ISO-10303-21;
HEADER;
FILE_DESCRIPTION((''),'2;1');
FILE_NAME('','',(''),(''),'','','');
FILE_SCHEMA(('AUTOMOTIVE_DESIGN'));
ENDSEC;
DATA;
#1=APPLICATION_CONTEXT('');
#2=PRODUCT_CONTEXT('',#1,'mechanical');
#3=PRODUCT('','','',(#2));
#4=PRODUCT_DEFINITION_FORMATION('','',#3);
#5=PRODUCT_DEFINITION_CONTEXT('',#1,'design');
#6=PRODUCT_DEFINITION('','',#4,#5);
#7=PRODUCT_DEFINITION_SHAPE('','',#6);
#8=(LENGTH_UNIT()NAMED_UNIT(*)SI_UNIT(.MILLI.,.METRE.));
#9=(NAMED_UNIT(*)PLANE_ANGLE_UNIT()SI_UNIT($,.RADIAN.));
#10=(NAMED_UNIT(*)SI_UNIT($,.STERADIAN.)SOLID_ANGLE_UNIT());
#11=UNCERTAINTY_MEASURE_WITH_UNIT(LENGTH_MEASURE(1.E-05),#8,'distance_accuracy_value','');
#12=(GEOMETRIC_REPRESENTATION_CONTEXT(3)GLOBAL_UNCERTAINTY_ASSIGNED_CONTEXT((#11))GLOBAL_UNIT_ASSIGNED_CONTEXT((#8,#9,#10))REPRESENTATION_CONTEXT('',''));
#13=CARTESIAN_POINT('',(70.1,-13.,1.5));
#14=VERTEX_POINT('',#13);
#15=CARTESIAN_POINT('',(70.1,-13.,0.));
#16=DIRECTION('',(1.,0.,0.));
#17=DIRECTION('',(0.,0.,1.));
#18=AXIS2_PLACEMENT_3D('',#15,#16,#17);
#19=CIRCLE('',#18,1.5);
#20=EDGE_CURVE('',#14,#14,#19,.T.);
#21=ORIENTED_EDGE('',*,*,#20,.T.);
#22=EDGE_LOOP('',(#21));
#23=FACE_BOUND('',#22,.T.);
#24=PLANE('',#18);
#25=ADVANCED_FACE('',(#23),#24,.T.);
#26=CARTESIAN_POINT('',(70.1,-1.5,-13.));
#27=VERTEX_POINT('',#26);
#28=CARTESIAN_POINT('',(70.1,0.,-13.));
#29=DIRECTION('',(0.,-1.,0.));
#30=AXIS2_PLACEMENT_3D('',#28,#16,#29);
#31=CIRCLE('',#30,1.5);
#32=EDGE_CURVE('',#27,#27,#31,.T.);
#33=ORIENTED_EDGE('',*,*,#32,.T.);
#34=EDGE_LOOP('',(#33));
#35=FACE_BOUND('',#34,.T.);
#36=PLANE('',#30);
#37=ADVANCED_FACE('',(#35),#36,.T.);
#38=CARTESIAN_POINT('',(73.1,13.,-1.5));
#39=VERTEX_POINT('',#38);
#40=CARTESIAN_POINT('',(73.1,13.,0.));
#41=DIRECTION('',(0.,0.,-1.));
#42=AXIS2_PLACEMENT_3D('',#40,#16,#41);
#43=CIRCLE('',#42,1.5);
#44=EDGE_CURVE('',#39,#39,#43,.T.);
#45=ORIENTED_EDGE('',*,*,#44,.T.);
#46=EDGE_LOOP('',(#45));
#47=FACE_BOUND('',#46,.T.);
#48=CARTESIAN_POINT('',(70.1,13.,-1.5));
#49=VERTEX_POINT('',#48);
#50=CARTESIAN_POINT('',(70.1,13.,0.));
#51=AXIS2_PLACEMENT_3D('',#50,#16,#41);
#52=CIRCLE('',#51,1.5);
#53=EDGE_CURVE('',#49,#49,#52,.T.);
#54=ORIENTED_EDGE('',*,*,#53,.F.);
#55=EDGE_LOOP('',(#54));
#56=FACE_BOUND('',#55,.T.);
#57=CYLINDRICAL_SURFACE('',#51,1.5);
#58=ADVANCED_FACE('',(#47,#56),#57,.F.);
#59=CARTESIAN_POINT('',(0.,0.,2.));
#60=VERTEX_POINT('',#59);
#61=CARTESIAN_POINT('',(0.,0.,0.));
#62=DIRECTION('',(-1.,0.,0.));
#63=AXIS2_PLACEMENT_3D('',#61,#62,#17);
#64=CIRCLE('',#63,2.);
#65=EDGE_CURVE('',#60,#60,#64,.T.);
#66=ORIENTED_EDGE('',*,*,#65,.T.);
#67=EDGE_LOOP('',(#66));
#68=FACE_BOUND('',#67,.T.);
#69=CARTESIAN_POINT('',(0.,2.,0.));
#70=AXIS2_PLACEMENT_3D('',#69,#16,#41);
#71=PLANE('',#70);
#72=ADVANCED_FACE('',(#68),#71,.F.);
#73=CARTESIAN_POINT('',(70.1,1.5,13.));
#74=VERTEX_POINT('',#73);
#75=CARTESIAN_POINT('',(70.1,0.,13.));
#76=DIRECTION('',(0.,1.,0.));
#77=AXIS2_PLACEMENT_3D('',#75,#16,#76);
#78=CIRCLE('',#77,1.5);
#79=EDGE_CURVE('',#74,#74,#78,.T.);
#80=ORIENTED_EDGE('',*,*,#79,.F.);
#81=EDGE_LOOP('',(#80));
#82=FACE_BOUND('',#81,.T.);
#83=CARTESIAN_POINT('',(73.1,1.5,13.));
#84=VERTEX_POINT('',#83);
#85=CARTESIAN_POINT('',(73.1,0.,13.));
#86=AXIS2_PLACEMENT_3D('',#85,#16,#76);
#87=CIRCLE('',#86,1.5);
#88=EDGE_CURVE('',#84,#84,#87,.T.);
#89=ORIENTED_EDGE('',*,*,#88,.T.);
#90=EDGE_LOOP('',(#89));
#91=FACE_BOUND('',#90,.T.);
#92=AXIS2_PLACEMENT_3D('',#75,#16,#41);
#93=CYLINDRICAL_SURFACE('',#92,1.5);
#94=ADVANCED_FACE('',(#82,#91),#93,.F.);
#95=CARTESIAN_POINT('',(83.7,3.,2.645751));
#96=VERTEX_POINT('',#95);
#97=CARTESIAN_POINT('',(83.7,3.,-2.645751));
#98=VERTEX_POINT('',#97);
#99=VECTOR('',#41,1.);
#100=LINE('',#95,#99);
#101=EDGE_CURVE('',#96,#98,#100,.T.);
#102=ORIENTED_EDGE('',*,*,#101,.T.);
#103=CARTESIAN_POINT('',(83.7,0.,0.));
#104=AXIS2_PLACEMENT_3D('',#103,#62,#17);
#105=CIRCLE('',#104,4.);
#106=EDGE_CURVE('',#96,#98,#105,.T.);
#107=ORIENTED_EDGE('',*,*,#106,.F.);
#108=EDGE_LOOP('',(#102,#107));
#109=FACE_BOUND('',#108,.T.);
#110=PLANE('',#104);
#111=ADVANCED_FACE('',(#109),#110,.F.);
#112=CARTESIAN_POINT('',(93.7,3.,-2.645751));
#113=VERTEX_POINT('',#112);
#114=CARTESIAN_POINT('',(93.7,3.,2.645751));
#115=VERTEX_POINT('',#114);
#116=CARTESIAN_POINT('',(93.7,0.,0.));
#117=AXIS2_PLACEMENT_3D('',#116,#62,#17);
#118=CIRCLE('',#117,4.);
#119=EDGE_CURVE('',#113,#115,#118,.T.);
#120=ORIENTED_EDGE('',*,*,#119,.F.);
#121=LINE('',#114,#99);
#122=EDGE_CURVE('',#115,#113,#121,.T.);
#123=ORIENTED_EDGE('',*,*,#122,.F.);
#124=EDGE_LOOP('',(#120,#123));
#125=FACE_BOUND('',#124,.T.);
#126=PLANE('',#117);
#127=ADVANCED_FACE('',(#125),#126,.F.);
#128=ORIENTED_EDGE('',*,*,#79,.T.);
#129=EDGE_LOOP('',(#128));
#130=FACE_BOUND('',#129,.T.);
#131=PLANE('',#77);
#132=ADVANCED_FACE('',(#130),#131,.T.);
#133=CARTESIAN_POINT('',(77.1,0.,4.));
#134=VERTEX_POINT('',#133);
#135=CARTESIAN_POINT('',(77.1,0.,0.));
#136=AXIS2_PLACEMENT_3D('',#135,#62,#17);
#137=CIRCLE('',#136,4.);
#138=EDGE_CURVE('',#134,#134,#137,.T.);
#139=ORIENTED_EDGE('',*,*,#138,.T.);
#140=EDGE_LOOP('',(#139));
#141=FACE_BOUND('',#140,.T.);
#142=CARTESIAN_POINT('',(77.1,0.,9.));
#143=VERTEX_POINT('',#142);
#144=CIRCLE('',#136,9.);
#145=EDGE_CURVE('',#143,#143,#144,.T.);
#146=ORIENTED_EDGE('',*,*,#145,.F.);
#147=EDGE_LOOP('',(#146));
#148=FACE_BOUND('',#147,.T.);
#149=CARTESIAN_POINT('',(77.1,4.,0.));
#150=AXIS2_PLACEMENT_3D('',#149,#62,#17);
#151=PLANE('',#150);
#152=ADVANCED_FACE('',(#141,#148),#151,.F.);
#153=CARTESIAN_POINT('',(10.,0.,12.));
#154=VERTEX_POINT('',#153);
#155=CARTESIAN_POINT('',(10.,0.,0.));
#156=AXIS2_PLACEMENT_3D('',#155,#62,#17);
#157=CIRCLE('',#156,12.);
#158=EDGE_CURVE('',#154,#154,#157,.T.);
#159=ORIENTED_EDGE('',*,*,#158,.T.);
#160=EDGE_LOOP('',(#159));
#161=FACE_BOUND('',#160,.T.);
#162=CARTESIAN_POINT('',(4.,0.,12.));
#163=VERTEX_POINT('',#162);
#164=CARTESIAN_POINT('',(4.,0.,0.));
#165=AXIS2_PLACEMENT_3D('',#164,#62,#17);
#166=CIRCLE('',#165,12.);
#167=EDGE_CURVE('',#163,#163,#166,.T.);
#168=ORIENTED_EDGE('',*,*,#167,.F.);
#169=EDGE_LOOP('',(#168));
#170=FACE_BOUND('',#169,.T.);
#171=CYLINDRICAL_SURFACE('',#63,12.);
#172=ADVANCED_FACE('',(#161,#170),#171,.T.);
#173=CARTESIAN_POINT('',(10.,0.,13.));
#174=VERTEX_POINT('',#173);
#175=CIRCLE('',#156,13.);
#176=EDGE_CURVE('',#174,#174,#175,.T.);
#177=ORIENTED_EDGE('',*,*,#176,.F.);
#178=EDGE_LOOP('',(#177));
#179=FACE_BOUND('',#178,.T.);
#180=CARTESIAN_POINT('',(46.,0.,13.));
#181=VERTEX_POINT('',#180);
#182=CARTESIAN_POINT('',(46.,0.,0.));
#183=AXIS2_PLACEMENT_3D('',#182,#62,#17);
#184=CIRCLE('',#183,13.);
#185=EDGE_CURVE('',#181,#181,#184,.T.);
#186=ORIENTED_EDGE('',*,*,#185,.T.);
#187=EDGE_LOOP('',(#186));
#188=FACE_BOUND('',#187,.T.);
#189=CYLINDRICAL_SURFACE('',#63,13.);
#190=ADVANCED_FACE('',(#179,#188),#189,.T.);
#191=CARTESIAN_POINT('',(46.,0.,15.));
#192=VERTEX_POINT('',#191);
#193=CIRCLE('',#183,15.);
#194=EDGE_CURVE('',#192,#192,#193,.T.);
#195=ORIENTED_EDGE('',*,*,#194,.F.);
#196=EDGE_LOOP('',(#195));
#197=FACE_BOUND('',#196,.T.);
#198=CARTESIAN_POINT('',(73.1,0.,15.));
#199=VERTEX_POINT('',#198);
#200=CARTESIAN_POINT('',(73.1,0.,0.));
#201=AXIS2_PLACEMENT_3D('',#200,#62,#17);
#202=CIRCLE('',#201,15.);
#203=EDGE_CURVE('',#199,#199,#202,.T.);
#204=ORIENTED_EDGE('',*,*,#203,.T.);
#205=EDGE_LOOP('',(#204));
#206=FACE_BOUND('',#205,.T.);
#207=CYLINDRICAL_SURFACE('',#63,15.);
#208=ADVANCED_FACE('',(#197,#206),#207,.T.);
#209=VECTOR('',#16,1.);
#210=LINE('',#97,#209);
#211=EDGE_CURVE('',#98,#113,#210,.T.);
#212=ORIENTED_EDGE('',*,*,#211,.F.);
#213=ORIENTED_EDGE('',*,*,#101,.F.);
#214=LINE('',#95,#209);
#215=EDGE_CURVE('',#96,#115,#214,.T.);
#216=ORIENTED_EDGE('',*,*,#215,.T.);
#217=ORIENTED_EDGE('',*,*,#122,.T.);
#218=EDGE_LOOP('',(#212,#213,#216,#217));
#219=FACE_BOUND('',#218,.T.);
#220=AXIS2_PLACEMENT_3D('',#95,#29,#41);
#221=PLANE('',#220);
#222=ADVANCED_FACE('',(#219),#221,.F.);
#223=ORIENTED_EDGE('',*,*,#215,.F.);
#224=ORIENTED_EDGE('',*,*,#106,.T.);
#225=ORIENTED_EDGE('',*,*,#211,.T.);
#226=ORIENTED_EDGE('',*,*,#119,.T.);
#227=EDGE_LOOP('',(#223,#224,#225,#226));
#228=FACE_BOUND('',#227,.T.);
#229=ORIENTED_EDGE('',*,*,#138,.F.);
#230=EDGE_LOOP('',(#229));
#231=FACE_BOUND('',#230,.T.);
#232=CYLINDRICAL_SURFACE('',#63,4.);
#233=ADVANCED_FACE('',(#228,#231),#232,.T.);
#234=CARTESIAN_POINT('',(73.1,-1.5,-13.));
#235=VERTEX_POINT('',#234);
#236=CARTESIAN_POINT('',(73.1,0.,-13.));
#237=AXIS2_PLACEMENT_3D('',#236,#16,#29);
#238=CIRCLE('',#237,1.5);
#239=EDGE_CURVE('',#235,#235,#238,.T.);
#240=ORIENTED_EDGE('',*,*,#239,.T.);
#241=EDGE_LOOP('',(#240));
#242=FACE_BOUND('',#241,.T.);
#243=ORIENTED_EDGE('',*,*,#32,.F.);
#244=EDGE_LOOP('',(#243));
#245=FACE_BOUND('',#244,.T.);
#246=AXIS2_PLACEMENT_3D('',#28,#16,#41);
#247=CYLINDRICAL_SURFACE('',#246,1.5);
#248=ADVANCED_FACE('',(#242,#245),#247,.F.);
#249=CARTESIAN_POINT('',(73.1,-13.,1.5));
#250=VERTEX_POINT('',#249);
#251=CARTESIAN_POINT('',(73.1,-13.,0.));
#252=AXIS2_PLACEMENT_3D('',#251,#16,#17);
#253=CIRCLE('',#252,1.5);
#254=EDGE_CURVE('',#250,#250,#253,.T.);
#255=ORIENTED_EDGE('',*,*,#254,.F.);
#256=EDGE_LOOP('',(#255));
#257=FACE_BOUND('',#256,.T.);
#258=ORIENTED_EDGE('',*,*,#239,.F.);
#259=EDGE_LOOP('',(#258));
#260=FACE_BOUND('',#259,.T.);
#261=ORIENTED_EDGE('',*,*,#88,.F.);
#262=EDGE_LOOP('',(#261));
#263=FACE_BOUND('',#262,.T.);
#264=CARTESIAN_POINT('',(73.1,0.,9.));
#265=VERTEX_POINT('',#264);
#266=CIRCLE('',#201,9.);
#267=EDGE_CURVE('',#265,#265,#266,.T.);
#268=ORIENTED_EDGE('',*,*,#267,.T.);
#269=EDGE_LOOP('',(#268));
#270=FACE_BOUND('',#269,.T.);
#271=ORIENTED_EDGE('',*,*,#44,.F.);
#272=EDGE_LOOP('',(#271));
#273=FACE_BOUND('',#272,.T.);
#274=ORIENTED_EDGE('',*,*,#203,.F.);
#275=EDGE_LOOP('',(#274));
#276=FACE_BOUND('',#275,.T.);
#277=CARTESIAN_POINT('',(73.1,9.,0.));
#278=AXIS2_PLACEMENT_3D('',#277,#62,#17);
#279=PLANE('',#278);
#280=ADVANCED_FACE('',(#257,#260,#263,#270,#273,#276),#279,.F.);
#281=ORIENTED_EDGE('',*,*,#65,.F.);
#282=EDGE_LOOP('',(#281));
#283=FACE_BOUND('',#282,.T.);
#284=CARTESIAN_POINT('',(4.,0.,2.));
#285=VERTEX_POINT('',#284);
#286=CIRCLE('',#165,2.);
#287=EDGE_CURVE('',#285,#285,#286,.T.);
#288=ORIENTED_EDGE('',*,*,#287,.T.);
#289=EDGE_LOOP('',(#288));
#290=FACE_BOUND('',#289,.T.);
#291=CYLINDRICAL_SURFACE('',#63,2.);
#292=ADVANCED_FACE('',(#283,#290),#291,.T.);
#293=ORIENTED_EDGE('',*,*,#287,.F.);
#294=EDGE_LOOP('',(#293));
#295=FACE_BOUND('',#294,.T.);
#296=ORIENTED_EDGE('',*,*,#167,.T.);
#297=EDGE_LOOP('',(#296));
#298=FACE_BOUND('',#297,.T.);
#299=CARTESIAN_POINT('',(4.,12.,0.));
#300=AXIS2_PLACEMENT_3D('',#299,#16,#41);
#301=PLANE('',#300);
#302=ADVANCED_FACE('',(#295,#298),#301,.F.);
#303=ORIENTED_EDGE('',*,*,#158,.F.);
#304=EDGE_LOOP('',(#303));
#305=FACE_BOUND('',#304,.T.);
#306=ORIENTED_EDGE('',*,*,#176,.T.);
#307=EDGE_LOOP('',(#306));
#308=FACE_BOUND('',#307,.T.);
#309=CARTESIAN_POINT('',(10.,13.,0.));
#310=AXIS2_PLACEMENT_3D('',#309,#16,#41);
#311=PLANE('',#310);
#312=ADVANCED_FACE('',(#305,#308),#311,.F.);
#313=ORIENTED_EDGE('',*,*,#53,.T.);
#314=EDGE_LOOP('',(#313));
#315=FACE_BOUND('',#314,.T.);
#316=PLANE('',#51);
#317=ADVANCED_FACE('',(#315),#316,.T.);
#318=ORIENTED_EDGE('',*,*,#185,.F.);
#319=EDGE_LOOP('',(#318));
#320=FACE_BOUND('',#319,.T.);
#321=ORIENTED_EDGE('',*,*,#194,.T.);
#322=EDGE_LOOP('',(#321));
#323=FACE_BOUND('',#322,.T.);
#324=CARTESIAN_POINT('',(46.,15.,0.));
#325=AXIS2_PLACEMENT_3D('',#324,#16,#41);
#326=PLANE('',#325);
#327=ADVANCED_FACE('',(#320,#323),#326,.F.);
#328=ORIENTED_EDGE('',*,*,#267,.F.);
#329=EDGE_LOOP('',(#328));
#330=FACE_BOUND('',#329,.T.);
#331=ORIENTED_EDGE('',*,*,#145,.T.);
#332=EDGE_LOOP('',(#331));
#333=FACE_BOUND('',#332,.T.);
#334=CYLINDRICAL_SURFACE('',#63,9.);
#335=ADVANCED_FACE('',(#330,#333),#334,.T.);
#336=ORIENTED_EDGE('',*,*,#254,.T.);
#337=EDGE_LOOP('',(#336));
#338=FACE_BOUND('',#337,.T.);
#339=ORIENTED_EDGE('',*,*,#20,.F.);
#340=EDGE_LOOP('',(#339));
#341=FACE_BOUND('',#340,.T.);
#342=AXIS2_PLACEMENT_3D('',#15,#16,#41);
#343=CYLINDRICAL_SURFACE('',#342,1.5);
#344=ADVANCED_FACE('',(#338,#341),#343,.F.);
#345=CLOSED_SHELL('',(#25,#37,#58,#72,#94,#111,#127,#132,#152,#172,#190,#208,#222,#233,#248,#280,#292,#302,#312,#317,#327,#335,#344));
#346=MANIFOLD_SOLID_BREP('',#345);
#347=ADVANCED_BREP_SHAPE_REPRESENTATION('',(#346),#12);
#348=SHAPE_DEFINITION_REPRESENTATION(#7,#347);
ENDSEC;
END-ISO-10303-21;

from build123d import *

# Parameters (mm, degrees)
ESQUISSE2_W             = 5.291502622
ESQUISSE2_H             = 1
ENL_V_MAT_EXTRU_1_DEPTH = 10
ESQUISSE3_R             = 1.5
FIXHOLES_DEPTH          = 3
REPEATFIXHOLES_COUNT    = 4


with BuildPart() as part:
    # Esquisse1 → MainRevolution (revolve)
    with BuildSketch(Plane.XY):
        Polygon((0, 0), (93.7, 0), (93.7, 4), (77.1, 4), (77.1, 9), (73.1, 9), (73.1, 15), (46, 15), (46, 13), (10, 13), (10, 12), (4, 12), (4, 2), (0, 2), align=None)
    revolve(axis=Axis((0, 0, 0), (1, 0, 0)))

    # Esquisse2 → Enlèv. mat.-Extru.1 (cut)
    with BuildSketch(Plane(origin=(93.7, 0, 0), x_dir=(0, 0, -1), z_dir=(1, 0, 0))):
        with Locations((0, 3.5)):
            Rectangle(ESQUISSE2_W, ESQUISSE2_H)
    extrude(amount=-ENL_V_MAT_EXTRU_1_DEPTH, mode=Mode.SUBTRACT)

    # Esquisse3 → FixHoles (cut)
    with BuildSketch(Plane(origin=(73.1, 0, 0), x_dir=(0, 0, -1), z_dir=(1, 0, 0))):
        with Locations((0, 13)):
            Circle(ESQUISSE3_R)
    fixholes = extrude(amount=-FIXHOLES_DEPTH, mode=Mode.SUBTRACT)

    # RepeatFixHoles: FixHoles ×4 about axis
    repeatfixholes_axis = Axis((-5.325, 0, 0), (1, 0, 0))
    for i in range(1, REPEATFIXHOLES_COUNT):
        add(fixholes.rotate(repeatfixholes_axis, i * 360 / REPEATFIXHOLES_COUNT), mode=Mode.SUBTRACT)


solid = part.part
